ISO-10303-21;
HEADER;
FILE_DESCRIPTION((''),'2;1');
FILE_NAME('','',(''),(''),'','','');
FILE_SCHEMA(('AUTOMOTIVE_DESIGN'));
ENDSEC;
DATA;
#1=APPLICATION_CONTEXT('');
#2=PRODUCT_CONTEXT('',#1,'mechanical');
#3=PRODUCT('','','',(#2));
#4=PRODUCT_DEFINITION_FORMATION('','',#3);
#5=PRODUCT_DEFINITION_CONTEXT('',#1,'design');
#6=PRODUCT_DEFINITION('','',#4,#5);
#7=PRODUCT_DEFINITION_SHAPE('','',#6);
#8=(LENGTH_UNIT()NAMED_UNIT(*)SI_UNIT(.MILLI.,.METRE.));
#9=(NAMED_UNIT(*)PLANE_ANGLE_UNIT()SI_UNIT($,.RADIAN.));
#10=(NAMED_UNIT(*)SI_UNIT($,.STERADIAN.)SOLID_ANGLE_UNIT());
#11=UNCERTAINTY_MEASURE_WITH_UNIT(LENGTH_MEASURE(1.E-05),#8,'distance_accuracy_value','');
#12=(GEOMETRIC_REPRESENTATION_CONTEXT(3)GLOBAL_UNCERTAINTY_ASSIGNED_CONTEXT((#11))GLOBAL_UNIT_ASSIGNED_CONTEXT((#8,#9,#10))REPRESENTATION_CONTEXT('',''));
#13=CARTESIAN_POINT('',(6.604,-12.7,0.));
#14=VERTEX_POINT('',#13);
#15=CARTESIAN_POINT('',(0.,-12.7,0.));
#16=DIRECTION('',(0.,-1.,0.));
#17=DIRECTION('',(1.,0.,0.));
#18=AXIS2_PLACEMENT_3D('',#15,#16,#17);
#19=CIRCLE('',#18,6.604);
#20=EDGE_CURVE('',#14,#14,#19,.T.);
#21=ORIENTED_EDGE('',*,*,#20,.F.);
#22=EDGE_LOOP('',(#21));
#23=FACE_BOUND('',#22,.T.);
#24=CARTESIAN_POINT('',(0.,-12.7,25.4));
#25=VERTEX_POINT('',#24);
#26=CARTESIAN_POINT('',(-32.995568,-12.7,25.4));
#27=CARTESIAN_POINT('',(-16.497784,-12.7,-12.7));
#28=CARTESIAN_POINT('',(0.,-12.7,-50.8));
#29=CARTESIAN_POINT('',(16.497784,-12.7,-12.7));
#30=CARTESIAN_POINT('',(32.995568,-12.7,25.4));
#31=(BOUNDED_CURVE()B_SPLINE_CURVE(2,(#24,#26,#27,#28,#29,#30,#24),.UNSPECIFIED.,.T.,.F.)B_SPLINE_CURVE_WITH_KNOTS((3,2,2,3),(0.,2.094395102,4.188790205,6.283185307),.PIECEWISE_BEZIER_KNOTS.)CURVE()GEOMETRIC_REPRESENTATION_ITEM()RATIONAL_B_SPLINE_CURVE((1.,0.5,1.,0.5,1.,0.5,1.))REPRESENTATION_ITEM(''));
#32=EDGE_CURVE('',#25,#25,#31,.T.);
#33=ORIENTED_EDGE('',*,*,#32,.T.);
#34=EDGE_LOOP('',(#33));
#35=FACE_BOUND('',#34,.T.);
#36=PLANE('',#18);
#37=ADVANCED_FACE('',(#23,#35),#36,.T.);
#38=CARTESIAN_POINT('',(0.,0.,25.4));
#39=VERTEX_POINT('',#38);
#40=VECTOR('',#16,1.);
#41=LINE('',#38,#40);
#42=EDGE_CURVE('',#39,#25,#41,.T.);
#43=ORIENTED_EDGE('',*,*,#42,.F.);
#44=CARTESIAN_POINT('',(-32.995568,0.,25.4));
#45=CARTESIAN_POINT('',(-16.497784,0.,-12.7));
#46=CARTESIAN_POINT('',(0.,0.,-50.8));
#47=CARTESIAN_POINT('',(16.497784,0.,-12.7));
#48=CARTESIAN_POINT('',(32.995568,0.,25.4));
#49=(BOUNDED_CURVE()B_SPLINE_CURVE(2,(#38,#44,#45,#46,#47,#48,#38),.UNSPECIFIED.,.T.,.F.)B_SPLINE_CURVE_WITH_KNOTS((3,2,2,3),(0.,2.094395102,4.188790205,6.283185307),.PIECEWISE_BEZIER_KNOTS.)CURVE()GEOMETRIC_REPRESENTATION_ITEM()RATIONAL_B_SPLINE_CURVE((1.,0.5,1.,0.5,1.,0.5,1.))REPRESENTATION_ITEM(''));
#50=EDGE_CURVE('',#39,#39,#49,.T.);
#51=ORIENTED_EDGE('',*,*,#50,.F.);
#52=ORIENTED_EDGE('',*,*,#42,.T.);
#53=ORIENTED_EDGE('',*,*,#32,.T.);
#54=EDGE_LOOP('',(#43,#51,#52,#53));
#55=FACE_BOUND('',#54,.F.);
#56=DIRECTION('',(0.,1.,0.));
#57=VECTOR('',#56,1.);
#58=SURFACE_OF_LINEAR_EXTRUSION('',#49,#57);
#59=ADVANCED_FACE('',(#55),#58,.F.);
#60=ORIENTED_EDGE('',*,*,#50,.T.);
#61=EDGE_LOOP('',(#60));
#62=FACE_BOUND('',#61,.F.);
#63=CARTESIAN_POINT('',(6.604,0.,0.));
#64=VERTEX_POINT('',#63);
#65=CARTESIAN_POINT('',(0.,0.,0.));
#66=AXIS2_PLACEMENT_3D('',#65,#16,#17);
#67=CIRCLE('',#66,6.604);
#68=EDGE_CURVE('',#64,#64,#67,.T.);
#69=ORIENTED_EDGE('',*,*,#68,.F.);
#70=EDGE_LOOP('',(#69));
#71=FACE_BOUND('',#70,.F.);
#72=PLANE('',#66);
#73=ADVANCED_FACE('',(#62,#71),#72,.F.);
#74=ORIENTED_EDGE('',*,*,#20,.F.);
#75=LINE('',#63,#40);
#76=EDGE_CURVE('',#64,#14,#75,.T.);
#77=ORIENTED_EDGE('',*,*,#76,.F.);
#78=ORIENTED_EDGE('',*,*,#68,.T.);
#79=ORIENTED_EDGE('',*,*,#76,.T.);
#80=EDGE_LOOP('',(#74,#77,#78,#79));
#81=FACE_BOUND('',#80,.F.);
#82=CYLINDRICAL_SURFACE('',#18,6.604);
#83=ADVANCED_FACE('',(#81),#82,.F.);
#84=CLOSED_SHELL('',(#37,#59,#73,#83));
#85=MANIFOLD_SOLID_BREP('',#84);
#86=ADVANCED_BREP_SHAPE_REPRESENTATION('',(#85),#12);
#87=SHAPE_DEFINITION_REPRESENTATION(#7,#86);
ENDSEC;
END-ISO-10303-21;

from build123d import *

# Parameters (mm, degrees)
F1_DEPTH = 12.7
F2_R     = 6.604
F3_DEPTH = 12.7


with BuildPart() as f1:
    # F0 (on Front) → F1 (new body)
    with BuildSketch(Plane.XZ):
        with BuildLine():
            add(Edge.make_bspline(
                [(0, 25.4), (-32.9955678842, 25.4), (-16.4977839421, -12.7), (0, -50.8), (16.4977839421, -12.7), (32.9955678842, 25.4), (0, 25.4)],
                knots=[0, 0, 0, 2.0943951024, 2.0943951024, 4.1887902048, 4.1887902048, 6.2831853072, 6.2831853072, 6.2831853072], degree=2, weights=[1, 0.5, 1, 0.5, 1, 0.5, 1]))
        make_face()
    extrude(amount=F1_DEPTH)

    # F2 (on face) → F3 (cut, symmetric)
    with BuildSketch(Plane.XZ.offset(12.7)):
        Circle(F2_R)
    extrude(amount=F3_DEPTH, both=True, mode=Mode.SUBTRACT)


solid = f1.part
